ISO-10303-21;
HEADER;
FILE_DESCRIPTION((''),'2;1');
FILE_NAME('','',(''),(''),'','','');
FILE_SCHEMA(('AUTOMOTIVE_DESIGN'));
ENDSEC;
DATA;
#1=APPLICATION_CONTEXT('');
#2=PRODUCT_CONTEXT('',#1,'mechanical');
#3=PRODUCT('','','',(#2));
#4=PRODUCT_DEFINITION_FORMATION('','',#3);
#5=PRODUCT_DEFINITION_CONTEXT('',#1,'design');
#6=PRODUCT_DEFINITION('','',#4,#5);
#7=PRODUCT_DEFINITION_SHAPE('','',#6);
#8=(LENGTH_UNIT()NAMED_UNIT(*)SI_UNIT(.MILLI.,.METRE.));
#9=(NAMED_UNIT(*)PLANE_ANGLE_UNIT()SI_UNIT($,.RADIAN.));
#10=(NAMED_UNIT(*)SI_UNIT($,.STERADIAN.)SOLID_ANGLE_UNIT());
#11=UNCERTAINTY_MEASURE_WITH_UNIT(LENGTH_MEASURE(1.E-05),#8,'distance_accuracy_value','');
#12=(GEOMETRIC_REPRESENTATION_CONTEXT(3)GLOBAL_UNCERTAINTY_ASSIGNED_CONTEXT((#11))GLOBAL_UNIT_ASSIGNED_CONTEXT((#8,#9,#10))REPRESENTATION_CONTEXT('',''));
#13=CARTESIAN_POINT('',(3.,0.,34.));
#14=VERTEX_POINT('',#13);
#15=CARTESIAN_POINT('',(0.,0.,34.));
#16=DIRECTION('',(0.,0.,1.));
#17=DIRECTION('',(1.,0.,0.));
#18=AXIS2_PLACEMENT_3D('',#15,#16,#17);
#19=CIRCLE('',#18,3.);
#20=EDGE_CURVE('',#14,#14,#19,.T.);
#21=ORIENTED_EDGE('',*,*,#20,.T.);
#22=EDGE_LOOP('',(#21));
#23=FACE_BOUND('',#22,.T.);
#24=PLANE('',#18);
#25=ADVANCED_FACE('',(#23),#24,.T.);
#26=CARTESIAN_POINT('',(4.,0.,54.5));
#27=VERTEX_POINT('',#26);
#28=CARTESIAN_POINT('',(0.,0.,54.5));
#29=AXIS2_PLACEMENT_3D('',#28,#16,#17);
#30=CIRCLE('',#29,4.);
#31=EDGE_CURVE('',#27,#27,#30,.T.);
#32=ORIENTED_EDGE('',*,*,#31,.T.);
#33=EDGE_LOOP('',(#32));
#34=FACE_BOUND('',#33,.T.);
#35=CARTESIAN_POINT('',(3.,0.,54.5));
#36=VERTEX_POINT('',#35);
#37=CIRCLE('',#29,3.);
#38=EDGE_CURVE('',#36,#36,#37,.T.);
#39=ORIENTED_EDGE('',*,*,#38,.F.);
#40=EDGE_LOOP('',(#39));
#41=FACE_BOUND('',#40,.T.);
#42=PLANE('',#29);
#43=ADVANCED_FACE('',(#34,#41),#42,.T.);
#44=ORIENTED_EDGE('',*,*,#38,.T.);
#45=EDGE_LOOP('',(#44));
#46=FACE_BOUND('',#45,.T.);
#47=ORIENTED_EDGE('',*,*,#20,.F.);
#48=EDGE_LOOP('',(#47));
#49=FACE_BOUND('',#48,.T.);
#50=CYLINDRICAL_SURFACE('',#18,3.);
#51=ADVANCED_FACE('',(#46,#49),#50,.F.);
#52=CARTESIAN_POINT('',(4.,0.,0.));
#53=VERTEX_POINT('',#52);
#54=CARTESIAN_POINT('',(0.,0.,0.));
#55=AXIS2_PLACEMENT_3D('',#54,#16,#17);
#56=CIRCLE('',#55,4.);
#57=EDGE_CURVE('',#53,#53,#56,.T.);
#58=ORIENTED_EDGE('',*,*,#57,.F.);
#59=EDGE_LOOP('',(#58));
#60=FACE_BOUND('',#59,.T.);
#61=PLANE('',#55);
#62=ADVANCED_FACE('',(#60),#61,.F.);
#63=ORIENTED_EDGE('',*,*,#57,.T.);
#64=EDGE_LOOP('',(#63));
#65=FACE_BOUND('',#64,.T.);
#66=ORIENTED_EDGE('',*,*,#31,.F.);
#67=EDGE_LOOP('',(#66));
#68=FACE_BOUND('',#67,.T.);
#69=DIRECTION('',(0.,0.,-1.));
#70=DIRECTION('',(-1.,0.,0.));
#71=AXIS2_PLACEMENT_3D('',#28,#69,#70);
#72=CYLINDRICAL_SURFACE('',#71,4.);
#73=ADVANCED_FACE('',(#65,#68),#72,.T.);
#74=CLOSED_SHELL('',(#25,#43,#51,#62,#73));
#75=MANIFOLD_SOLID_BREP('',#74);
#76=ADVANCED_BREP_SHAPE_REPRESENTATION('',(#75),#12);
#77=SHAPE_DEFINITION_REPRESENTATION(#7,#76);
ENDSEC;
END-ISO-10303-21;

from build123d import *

# Parameters (mm, degrees)
SKETCH1_R           = 4
BOSS_EXTRUDE1_DEPTH = 54.5
SKETCH2_R           = 3
CUT_EXTRUDE1_DEPTH  = 20.5


with BuildPart() as part:
    # Sketch1 → Boss-Extrude1 (new body)
    with BuildSketch(Plane.XY):
        Circle(SKETCH1_R)
    extrude(amount=BOSS_EXTRUDE1_DEPTH)

    # Sketch2 → Cut-Extrude1 (cut)
    with BuildSketch(Plane.XY.offset(54.5)):
        Circle(SKETCH2_R)
    extrude(amount=-CUT_EXTRUDE1_DEPTH, mode=Mode.SUBTRACT)


solid = part.part
